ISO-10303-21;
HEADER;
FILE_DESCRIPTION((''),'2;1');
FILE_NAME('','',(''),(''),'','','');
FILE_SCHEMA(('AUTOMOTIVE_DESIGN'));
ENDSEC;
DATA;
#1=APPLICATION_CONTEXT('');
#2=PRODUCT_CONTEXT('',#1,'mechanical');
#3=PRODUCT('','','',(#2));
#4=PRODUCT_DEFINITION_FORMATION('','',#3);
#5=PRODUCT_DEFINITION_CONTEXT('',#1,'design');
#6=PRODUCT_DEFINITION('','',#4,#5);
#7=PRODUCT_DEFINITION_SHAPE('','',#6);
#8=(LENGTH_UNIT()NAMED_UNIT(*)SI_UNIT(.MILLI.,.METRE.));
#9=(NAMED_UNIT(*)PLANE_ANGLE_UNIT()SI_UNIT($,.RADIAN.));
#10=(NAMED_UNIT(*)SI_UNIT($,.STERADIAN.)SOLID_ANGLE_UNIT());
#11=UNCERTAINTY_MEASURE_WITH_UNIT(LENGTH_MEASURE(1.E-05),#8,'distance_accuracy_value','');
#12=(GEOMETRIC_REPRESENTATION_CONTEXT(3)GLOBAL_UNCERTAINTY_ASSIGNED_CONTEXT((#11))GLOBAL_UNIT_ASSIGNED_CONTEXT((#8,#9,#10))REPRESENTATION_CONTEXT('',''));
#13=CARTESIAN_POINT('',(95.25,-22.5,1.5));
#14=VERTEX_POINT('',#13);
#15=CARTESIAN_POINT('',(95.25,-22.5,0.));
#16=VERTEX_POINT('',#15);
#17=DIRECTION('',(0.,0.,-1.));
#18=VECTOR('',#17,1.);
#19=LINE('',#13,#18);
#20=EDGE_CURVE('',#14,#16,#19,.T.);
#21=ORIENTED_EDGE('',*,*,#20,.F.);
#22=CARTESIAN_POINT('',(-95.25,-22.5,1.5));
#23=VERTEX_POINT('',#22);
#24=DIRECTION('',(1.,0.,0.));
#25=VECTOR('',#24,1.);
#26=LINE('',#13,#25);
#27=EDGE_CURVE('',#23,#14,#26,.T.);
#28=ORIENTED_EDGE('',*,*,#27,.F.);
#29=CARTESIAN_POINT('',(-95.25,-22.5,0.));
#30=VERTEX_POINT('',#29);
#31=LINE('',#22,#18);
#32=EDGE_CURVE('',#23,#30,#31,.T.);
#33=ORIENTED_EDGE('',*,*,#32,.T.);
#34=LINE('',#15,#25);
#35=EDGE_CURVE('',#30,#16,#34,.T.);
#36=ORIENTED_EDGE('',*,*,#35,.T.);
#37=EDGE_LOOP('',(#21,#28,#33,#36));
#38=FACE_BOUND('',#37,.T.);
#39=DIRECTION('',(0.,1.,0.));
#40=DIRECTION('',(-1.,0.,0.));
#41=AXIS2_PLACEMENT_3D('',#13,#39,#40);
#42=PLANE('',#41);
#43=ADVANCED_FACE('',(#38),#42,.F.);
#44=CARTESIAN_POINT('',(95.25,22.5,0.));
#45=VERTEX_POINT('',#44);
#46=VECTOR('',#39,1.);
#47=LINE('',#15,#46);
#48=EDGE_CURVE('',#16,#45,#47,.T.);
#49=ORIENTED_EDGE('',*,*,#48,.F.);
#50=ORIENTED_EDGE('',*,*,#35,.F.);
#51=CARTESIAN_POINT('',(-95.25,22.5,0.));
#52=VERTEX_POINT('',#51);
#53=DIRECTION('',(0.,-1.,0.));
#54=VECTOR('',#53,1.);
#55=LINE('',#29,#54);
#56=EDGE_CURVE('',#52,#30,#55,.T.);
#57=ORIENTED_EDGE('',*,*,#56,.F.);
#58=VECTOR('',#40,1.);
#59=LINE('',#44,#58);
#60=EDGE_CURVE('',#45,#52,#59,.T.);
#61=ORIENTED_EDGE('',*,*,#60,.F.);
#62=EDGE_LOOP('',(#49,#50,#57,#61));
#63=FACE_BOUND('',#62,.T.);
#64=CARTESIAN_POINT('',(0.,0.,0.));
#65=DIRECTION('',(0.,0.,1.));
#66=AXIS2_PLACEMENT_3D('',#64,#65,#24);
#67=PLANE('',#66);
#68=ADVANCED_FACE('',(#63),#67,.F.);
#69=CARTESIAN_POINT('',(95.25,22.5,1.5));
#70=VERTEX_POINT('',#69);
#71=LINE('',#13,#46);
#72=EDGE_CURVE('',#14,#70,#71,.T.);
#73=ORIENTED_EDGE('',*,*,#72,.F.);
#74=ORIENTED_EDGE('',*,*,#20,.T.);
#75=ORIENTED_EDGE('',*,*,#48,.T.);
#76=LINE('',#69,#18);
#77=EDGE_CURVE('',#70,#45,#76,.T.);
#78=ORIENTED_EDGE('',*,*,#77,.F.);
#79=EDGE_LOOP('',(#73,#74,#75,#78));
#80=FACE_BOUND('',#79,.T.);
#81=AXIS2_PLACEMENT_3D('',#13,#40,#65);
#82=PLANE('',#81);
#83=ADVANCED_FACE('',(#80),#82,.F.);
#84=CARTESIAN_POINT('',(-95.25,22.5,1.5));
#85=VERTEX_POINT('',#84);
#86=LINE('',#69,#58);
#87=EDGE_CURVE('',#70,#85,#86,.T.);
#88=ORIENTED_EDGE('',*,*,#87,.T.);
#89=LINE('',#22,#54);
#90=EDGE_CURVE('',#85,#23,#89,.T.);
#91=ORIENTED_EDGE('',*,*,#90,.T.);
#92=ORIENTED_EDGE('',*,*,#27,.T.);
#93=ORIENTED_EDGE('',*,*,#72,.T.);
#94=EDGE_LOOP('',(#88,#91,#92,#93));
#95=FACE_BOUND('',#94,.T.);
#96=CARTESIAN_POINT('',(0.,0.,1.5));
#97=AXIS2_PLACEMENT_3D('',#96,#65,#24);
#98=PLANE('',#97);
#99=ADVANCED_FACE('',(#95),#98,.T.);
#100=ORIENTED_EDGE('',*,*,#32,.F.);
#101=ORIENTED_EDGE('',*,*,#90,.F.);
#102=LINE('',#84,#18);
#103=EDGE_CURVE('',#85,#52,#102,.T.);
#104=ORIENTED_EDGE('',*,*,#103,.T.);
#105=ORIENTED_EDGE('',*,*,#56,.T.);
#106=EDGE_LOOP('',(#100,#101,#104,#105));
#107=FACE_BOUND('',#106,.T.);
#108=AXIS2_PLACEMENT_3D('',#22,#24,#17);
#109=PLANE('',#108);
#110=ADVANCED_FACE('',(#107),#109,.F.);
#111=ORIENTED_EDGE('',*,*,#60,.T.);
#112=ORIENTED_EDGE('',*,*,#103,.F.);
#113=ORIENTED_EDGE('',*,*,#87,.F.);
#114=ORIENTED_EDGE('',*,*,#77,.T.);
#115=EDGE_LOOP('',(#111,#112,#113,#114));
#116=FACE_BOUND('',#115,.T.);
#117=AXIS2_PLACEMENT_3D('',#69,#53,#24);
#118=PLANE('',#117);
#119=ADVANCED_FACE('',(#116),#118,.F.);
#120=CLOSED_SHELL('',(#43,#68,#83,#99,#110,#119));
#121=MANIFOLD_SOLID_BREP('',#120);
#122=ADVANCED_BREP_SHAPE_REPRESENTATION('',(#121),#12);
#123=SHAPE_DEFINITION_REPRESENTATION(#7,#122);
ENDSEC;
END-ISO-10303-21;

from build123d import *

# Parameters (mm, degrees)
SKETCH1_W           = 190.5
SKETCH1_H           = 45
BOSS_EXTRUDE1_DEPTH = 1.5


with BuildPart() as part:
    # Sketch1 → Boss-Extrude1 (new body)
    with BuildSketch(Plane.XY):
        Rectangle(SKETCH1_W, SKETCH1_H)
    extrude(amount=BOSS_EXTRUDE1_DEPTH)


solid = part.part
